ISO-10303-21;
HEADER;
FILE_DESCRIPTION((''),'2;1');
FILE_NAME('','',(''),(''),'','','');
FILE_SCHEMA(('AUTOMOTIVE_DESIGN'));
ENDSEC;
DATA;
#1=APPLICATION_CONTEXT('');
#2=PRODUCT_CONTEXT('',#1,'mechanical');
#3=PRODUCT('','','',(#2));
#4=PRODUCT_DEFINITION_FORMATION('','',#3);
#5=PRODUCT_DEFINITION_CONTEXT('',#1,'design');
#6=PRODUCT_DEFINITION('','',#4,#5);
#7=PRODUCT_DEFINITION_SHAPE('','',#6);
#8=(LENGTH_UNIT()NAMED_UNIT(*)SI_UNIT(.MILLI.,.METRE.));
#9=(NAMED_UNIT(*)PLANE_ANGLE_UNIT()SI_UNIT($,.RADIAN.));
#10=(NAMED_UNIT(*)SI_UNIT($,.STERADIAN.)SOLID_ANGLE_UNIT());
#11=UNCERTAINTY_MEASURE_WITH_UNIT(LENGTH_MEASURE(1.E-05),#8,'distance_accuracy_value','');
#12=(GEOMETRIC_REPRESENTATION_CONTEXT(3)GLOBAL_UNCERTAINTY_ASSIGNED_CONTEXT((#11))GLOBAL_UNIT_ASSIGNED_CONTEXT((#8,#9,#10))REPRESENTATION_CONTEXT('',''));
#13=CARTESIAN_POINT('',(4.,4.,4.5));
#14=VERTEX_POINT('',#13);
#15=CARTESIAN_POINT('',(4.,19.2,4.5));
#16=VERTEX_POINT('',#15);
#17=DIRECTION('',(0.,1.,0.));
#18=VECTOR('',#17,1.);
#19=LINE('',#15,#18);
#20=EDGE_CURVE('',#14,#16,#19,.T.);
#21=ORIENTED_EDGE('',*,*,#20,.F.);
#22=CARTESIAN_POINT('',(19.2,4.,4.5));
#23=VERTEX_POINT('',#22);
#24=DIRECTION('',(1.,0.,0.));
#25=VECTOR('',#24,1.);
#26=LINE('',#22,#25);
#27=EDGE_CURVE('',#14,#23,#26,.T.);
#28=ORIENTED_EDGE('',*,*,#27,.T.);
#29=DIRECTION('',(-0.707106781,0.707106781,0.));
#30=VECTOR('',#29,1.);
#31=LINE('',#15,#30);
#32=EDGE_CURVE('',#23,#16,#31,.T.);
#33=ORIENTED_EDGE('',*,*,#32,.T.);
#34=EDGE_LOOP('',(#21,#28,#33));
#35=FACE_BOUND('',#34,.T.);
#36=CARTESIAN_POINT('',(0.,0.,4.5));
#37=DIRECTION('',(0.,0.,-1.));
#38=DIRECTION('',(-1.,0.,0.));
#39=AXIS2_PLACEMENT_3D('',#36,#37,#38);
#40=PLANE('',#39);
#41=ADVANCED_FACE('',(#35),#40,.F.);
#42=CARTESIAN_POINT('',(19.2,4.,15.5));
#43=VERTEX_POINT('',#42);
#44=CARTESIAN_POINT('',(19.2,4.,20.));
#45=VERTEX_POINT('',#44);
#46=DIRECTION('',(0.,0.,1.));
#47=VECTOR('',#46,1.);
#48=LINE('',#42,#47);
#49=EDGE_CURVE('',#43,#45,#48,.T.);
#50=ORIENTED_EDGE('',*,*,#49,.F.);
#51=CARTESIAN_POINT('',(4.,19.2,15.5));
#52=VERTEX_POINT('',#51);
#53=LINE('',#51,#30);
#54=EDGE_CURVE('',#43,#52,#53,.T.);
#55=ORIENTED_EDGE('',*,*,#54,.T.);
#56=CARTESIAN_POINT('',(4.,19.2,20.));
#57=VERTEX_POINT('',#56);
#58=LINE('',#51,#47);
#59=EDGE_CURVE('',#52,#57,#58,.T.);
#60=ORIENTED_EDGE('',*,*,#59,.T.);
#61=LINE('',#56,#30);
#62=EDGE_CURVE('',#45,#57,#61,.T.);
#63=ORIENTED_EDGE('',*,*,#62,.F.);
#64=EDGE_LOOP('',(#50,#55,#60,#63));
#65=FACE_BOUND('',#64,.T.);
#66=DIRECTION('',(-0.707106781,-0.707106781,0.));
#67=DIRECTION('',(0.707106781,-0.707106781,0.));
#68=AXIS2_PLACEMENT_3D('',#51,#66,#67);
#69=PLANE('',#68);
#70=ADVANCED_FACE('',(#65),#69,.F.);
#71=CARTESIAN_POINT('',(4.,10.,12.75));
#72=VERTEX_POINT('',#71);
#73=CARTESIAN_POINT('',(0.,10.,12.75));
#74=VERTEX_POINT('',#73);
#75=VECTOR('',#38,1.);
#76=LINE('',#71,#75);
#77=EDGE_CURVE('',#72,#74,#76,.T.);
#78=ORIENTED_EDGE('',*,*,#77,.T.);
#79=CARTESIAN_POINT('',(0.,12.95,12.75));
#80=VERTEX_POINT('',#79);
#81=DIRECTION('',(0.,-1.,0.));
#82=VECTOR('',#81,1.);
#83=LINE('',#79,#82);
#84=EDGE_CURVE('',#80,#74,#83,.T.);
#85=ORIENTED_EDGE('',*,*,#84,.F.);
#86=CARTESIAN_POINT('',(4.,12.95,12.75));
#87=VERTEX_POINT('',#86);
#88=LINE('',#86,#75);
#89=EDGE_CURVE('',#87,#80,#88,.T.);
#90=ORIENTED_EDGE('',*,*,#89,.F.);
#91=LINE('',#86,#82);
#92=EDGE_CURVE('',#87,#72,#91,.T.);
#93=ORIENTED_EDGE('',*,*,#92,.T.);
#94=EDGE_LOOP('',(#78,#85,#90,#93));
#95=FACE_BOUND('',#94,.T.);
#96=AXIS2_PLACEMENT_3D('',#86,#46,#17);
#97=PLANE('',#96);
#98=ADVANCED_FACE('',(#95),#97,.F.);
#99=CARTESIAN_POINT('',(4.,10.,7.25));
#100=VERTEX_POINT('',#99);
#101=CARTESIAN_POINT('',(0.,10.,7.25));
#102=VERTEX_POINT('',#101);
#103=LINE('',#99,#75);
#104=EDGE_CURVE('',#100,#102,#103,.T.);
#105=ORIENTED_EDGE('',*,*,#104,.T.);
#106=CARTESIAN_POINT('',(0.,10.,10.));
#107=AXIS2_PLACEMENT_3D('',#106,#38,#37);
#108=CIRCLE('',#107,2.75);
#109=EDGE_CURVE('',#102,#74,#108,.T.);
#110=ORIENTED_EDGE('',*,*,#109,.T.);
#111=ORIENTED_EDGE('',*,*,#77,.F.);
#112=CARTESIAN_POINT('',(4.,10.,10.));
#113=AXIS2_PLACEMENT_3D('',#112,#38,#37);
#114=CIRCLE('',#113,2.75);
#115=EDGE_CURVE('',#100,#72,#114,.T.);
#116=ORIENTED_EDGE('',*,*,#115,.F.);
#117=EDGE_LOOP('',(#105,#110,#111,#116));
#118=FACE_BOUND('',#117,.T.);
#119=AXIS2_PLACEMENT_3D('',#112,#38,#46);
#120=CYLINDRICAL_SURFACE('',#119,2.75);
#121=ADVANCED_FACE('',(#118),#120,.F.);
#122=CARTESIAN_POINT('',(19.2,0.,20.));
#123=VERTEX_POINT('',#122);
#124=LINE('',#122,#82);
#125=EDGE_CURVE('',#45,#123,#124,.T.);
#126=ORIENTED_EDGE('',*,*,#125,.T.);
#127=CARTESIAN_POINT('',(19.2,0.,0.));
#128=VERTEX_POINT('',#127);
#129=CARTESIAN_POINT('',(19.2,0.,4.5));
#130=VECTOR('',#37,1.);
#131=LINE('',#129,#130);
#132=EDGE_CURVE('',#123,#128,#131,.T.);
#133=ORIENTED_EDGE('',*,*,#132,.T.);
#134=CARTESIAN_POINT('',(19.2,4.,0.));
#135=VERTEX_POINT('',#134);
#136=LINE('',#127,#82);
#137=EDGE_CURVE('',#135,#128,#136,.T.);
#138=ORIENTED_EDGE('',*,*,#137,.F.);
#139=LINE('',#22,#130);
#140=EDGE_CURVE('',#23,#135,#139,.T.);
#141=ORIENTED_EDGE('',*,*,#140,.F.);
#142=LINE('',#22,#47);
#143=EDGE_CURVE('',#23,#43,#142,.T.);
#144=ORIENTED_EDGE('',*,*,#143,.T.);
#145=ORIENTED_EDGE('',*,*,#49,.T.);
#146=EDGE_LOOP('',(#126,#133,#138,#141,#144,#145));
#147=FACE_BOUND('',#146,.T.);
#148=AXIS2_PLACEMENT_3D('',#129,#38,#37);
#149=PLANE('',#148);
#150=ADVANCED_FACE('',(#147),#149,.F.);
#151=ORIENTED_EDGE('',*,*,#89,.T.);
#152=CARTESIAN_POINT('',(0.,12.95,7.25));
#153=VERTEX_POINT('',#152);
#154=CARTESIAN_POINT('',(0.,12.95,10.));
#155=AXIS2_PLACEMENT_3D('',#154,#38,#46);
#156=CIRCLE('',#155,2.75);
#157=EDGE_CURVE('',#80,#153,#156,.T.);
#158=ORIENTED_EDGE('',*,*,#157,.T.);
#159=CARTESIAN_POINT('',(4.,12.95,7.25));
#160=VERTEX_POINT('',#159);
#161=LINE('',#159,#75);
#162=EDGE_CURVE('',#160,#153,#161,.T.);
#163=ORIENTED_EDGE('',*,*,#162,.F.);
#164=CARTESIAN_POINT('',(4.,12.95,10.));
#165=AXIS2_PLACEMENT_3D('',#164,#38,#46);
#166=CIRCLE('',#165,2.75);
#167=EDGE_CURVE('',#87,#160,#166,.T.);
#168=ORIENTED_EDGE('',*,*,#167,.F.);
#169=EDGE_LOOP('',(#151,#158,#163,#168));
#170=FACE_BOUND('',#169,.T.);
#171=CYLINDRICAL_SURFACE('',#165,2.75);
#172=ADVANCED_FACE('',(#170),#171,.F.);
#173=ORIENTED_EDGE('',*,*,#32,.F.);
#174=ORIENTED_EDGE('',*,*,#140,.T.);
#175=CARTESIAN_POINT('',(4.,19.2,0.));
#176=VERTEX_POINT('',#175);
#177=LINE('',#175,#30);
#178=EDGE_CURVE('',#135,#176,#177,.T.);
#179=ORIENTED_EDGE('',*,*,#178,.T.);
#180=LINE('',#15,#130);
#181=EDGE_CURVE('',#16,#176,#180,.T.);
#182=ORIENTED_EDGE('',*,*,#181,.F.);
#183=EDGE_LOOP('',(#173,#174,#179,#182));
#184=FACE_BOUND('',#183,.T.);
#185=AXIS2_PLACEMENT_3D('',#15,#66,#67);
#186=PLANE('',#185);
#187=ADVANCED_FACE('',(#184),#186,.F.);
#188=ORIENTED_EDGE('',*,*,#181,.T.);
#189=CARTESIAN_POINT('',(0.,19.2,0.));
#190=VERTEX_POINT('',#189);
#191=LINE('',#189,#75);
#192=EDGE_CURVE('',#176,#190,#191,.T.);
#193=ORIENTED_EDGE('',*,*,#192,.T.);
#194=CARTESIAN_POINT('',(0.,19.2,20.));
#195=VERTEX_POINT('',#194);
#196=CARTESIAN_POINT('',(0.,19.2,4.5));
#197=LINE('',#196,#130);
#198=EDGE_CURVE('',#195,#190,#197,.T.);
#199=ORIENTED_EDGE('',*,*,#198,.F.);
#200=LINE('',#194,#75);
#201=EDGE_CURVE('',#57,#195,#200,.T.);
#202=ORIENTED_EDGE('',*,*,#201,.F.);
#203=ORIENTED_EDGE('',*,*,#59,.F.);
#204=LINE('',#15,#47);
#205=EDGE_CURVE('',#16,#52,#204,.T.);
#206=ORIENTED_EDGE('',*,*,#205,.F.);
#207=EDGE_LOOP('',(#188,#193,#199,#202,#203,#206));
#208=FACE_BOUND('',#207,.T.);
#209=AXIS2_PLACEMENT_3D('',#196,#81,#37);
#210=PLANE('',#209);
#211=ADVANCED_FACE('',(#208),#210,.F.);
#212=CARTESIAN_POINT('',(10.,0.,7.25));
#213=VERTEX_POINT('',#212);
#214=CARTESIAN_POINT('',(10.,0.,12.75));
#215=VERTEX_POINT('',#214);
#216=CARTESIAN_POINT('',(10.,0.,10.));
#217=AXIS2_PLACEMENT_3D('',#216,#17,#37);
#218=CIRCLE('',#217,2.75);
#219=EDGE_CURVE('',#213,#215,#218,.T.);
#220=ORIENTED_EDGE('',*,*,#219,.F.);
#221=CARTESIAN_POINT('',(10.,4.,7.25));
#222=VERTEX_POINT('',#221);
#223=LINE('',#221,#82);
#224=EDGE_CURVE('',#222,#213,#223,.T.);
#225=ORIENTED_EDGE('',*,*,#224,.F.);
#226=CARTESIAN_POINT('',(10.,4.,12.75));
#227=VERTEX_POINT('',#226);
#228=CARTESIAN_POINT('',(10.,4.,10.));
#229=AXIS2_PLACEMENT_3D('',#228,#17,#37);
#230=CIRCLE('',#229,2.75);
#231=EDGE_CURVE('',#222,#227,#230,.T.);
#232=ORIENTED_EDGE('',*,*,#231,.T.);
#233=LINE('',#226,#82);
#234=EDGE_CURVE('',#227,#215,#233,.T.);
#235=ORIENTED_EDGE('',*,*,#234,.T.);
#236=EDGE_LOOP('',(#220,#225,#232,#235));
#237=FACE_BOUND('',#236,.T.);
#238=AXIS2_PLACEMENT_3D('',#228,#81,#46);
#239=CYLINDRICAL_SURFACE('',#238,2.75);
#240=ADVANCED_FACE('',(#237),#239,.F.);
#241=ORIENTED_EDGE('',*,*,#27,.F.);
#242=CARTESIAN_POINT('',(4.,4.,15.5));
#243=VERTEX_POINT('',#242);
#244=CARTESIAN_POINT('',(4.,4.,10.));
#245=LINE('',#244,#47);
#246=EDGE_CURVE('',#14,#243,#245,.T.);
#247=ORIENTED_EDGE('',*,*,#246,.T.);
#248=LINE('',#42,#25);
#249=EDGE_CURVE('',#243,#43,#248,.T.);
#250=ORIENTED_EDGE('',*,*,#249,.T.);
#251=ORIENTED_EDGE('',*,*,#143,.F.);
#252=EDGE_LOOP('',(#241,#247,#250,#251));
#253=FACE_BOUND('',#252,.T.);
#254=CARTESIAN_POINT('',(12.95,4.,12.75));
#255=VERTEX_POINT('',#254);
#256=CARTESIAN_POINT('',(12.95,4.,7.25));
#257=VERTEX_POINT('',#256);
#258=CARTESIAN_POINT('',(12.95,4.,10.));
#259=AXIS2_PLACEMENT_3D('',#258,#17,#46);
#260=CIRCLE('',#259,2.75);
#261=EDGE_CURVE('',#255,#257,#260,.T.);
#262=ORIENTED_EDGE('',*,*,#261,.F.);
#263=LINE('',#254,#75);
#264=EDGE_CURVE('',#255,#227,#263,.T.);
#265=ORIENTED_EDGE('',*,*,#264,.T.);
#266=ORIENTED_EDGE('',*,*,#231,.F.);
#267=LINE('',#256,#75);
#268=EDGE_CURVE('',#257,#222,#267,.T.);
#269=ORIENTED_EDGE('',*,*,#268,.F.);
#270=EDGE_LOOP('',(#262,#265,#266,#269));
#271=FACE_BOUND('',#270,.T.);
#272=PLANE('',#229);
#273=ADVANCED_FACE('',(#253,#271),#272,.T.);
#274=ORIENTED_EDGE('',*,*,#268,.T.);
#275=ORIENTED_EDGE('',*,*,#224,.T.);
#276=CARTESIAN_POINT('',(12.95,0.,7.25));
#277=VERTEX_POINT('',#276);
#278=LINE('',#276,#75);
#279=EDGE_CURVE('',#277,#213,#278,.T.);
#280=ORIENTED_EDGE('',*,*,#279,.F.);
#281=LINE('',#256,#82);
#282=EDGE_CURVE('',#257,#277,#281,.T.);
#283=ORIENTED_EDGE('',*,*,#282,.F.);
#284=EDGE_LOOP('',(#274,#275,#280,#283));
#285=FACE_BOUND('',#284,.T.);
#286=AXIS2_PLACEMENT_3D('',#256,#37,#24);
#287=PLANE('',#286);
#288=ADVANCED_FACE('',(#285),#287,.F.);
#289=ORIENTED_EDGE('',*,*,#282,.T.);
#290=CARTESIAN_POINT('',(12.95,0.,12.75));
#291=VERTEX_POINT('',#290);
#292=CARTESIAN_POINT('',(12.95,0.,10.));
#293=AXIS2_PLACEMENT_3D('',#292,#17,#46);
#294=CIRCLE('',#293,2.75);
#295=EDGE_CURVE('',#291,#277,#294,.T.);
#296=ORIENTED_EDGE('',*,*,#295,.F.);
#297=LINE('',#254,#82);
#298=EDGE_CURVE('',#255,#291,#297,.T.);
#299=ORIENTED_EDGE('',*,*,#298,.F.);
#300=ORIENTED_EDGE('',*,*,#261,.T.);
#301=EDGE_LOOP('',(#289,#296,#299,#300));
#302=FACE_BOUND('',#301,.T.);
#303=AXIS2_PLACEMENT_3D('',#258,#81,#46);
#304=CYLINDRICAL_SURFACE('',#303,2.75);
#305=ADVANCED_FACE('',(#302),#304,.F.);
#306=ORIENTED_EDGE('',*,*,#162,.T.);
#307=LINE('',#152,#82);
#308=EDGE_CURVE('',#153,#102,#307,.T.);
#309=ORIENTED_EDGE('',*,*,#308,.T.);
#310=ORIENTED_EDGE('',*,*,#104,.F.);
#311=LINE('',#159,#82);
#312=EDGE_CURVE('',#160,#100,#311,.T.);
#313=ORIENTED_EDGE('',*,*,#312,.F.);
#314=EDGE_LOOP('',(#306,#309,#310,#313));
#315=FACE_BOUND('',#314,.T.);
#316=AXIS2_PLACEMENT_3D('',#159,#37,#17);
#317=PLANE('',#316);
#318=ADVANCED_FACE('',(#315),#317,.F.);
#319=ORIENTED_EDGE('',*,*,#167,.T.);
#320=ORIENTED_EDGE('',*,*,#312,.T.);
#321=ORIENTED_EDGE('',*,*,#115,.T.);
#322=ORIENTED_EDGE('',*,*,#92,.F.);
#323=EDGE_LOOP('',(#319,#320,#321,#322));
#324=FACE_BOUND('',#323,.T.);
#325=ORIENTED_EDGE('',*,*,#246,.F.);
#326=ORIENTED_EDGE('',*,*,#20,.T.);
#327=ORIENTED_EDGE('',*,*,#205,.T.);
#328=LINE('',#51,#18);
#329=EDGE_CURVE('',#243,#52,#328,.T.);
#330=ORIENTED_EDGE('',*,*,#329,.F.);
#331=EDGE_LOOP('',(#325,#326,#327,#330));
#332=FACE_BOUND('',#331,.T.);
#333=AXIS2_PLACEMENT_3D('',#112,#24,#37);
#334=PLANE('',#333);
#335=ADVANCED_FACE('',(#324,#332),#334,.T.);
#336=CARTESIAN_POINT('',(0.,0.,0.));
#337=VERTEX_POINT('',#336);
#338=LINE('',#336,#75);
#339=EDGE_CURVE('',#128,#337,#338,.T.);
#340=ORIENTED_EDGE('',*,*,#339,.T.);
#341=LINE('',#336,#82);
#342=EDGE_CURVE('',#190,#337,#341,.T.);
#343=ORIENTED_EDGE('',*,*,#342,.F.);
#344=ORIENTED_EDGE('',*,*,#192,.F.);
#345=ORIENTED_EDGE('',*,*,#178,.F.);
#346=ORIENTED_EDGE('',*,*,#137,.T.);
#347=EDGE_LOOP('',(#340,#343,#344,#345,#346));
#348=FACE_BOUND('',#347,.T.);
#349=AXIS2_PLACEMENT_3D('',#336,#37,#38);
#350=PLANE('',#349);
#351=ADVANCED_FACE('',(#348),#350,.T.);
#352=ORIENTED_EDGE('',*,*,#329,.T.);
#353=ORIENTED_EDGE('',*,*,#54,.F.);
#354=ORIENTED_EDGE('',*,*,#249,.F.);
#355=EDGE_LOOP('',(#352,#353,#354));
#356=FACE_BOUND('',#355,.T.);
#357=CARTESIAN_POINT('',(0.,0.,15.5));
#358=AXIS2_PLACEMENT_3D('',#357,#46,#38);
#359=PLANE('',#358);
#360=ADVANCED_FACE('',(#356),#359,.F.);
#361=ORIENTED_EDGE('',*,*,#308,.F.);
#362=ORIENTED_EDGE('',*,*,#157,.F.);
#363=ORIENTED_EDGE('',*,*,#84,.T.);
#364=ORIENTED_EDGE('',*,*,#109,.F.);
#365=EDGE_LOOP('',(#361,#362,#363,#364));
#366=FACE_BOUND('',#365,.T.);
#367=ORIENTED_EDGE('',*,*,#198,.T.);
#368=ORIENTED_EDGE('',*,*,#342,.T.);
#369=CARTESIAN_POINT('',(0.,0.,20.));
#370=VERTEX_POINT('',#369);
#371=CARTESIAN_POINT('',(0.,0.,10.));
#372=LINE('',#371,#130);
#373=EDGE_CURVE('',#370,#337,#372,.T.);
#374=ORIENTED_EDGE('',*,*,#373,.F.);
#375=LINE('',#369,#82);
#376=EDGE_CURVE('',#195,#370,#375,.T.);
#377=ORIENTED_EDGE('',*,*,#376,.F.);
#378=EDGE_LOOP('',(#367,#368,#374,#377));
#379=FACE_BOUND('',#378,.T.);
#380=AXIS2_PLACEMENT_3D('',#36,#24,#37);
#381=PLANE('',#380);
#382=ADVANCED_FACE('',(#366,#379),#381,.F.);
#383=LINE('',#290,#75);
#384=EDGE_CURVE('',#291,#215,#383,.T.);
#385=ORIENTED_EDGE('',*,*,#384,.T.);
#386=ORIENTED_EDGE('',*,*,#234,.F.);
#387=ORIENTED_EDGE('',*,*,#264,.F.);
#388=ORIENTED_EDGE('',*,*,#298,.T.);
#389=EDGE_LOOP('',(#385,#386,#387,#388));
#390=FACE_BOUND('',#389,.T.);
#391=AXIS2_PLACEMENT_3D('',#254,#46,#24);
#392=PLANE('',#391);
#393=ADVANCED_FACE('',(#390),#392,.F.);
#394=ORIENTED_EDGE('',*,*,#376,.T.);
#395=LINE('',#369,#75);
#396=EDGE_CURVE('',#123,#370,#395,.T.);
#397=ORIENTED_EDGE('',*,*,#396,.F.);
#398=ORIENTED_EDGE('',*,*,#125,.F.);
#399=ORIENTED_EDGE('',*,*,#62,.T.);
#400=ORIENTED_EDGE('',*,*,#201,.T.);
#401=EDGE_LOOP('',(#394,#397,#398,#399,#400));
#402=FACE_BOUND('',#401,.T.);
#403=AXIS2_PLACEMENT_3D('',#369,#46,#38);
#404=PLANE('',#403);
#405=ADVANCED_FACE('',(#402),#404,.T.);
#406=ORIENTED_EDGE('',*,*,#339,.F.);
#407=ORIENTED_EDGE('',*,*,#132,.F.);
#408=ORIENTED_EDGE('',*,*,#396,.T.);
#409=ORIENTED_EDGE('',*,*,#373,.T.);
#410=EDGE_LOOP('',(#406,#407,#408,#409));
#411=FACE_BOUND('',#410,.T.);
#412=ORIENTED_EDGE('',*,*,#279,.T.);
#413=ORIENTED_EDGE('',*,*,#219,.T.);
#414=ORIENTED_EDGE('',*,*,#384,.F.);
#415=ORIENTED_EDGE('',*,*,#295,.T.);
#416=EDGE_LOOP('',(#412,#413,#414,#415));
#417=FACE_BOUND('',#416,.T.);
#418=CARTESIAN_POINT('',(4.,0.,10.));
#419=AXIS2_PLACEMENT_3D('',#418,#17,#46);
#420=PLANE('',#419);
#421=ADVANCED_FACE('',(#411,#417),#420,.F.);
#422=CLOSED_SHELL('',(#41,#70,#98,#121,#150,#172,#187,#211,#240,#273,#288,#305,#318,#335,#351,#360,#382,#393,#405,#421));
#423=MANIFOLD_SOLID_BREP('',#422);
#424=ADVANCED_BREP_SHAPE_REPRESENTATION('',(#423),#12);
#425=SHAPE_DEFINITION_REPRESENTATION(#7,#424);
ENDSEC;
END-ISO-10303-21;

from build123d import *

# Parameters (mm, degrees)
BOSS_EXTRUDE1_DEPTH = 4.5
BOSS_EXTRUDE2_DEPTH = 4


with BuildPart() as part:
    # Sketch1 → Boss-Extrude1 (new body)
    with BuildSketch(Plane.XY):
        Polygon((0, 0), (0, 19.2), (4, 19.2), (11.6, 11.6), align=None)
    extrude(amount=BOSS_EXTRUDE1_DEPTH)

    # Sketch2 → Boss-Extrude2 (add)
    with BuildSketch(Plane(origin=(0, 0, 0), x_dir=(0, 0, -1), z_dir=(1, 0, 0))):
        with BuildLine():
            Line((-4.5, 19.2), (-10, 19.2))
            Line((-10, 19.2), (-10, 15.7))
            ThreePointArc((-10, 15.7), (-8.055456352, 14.894543648), (-7.25, 12.95))
            Line((-7.25, 12.95), (-7.25, 10))
            ThreePointArc((-7.25, 10), (-8.055456352, 8.055456352), (-10, 7.25))
            Line((-10, 7.25), (-10, 0))
            Line((-10, 0), (-4.5, 0))
            Line((-4.5, 0), (-4.5, 19.2))
        make_face()
    extrude(amount=BOSS_EXTRUDE2_DEPTH)

    # Mirror3: part across plane


with BuildPart() as part_1:
    add(part.part)
    add(part.part.mirror(Plane(origin=(4, 19.2, 10), x_dir=(1, 0, 0), z_dir=(0, 0, -1))))

    # Mirror4: part across plane


with BuildPart() as part_2:
    add(part_1.part)
    add(part_1.part.mirror(Plane(origin=(0, 0, 15.5), x_dir=(0, 0, 1), z_dir=(-0.7071067811865475, 0.7071067811865477, 0))))


solid = part_2.part
